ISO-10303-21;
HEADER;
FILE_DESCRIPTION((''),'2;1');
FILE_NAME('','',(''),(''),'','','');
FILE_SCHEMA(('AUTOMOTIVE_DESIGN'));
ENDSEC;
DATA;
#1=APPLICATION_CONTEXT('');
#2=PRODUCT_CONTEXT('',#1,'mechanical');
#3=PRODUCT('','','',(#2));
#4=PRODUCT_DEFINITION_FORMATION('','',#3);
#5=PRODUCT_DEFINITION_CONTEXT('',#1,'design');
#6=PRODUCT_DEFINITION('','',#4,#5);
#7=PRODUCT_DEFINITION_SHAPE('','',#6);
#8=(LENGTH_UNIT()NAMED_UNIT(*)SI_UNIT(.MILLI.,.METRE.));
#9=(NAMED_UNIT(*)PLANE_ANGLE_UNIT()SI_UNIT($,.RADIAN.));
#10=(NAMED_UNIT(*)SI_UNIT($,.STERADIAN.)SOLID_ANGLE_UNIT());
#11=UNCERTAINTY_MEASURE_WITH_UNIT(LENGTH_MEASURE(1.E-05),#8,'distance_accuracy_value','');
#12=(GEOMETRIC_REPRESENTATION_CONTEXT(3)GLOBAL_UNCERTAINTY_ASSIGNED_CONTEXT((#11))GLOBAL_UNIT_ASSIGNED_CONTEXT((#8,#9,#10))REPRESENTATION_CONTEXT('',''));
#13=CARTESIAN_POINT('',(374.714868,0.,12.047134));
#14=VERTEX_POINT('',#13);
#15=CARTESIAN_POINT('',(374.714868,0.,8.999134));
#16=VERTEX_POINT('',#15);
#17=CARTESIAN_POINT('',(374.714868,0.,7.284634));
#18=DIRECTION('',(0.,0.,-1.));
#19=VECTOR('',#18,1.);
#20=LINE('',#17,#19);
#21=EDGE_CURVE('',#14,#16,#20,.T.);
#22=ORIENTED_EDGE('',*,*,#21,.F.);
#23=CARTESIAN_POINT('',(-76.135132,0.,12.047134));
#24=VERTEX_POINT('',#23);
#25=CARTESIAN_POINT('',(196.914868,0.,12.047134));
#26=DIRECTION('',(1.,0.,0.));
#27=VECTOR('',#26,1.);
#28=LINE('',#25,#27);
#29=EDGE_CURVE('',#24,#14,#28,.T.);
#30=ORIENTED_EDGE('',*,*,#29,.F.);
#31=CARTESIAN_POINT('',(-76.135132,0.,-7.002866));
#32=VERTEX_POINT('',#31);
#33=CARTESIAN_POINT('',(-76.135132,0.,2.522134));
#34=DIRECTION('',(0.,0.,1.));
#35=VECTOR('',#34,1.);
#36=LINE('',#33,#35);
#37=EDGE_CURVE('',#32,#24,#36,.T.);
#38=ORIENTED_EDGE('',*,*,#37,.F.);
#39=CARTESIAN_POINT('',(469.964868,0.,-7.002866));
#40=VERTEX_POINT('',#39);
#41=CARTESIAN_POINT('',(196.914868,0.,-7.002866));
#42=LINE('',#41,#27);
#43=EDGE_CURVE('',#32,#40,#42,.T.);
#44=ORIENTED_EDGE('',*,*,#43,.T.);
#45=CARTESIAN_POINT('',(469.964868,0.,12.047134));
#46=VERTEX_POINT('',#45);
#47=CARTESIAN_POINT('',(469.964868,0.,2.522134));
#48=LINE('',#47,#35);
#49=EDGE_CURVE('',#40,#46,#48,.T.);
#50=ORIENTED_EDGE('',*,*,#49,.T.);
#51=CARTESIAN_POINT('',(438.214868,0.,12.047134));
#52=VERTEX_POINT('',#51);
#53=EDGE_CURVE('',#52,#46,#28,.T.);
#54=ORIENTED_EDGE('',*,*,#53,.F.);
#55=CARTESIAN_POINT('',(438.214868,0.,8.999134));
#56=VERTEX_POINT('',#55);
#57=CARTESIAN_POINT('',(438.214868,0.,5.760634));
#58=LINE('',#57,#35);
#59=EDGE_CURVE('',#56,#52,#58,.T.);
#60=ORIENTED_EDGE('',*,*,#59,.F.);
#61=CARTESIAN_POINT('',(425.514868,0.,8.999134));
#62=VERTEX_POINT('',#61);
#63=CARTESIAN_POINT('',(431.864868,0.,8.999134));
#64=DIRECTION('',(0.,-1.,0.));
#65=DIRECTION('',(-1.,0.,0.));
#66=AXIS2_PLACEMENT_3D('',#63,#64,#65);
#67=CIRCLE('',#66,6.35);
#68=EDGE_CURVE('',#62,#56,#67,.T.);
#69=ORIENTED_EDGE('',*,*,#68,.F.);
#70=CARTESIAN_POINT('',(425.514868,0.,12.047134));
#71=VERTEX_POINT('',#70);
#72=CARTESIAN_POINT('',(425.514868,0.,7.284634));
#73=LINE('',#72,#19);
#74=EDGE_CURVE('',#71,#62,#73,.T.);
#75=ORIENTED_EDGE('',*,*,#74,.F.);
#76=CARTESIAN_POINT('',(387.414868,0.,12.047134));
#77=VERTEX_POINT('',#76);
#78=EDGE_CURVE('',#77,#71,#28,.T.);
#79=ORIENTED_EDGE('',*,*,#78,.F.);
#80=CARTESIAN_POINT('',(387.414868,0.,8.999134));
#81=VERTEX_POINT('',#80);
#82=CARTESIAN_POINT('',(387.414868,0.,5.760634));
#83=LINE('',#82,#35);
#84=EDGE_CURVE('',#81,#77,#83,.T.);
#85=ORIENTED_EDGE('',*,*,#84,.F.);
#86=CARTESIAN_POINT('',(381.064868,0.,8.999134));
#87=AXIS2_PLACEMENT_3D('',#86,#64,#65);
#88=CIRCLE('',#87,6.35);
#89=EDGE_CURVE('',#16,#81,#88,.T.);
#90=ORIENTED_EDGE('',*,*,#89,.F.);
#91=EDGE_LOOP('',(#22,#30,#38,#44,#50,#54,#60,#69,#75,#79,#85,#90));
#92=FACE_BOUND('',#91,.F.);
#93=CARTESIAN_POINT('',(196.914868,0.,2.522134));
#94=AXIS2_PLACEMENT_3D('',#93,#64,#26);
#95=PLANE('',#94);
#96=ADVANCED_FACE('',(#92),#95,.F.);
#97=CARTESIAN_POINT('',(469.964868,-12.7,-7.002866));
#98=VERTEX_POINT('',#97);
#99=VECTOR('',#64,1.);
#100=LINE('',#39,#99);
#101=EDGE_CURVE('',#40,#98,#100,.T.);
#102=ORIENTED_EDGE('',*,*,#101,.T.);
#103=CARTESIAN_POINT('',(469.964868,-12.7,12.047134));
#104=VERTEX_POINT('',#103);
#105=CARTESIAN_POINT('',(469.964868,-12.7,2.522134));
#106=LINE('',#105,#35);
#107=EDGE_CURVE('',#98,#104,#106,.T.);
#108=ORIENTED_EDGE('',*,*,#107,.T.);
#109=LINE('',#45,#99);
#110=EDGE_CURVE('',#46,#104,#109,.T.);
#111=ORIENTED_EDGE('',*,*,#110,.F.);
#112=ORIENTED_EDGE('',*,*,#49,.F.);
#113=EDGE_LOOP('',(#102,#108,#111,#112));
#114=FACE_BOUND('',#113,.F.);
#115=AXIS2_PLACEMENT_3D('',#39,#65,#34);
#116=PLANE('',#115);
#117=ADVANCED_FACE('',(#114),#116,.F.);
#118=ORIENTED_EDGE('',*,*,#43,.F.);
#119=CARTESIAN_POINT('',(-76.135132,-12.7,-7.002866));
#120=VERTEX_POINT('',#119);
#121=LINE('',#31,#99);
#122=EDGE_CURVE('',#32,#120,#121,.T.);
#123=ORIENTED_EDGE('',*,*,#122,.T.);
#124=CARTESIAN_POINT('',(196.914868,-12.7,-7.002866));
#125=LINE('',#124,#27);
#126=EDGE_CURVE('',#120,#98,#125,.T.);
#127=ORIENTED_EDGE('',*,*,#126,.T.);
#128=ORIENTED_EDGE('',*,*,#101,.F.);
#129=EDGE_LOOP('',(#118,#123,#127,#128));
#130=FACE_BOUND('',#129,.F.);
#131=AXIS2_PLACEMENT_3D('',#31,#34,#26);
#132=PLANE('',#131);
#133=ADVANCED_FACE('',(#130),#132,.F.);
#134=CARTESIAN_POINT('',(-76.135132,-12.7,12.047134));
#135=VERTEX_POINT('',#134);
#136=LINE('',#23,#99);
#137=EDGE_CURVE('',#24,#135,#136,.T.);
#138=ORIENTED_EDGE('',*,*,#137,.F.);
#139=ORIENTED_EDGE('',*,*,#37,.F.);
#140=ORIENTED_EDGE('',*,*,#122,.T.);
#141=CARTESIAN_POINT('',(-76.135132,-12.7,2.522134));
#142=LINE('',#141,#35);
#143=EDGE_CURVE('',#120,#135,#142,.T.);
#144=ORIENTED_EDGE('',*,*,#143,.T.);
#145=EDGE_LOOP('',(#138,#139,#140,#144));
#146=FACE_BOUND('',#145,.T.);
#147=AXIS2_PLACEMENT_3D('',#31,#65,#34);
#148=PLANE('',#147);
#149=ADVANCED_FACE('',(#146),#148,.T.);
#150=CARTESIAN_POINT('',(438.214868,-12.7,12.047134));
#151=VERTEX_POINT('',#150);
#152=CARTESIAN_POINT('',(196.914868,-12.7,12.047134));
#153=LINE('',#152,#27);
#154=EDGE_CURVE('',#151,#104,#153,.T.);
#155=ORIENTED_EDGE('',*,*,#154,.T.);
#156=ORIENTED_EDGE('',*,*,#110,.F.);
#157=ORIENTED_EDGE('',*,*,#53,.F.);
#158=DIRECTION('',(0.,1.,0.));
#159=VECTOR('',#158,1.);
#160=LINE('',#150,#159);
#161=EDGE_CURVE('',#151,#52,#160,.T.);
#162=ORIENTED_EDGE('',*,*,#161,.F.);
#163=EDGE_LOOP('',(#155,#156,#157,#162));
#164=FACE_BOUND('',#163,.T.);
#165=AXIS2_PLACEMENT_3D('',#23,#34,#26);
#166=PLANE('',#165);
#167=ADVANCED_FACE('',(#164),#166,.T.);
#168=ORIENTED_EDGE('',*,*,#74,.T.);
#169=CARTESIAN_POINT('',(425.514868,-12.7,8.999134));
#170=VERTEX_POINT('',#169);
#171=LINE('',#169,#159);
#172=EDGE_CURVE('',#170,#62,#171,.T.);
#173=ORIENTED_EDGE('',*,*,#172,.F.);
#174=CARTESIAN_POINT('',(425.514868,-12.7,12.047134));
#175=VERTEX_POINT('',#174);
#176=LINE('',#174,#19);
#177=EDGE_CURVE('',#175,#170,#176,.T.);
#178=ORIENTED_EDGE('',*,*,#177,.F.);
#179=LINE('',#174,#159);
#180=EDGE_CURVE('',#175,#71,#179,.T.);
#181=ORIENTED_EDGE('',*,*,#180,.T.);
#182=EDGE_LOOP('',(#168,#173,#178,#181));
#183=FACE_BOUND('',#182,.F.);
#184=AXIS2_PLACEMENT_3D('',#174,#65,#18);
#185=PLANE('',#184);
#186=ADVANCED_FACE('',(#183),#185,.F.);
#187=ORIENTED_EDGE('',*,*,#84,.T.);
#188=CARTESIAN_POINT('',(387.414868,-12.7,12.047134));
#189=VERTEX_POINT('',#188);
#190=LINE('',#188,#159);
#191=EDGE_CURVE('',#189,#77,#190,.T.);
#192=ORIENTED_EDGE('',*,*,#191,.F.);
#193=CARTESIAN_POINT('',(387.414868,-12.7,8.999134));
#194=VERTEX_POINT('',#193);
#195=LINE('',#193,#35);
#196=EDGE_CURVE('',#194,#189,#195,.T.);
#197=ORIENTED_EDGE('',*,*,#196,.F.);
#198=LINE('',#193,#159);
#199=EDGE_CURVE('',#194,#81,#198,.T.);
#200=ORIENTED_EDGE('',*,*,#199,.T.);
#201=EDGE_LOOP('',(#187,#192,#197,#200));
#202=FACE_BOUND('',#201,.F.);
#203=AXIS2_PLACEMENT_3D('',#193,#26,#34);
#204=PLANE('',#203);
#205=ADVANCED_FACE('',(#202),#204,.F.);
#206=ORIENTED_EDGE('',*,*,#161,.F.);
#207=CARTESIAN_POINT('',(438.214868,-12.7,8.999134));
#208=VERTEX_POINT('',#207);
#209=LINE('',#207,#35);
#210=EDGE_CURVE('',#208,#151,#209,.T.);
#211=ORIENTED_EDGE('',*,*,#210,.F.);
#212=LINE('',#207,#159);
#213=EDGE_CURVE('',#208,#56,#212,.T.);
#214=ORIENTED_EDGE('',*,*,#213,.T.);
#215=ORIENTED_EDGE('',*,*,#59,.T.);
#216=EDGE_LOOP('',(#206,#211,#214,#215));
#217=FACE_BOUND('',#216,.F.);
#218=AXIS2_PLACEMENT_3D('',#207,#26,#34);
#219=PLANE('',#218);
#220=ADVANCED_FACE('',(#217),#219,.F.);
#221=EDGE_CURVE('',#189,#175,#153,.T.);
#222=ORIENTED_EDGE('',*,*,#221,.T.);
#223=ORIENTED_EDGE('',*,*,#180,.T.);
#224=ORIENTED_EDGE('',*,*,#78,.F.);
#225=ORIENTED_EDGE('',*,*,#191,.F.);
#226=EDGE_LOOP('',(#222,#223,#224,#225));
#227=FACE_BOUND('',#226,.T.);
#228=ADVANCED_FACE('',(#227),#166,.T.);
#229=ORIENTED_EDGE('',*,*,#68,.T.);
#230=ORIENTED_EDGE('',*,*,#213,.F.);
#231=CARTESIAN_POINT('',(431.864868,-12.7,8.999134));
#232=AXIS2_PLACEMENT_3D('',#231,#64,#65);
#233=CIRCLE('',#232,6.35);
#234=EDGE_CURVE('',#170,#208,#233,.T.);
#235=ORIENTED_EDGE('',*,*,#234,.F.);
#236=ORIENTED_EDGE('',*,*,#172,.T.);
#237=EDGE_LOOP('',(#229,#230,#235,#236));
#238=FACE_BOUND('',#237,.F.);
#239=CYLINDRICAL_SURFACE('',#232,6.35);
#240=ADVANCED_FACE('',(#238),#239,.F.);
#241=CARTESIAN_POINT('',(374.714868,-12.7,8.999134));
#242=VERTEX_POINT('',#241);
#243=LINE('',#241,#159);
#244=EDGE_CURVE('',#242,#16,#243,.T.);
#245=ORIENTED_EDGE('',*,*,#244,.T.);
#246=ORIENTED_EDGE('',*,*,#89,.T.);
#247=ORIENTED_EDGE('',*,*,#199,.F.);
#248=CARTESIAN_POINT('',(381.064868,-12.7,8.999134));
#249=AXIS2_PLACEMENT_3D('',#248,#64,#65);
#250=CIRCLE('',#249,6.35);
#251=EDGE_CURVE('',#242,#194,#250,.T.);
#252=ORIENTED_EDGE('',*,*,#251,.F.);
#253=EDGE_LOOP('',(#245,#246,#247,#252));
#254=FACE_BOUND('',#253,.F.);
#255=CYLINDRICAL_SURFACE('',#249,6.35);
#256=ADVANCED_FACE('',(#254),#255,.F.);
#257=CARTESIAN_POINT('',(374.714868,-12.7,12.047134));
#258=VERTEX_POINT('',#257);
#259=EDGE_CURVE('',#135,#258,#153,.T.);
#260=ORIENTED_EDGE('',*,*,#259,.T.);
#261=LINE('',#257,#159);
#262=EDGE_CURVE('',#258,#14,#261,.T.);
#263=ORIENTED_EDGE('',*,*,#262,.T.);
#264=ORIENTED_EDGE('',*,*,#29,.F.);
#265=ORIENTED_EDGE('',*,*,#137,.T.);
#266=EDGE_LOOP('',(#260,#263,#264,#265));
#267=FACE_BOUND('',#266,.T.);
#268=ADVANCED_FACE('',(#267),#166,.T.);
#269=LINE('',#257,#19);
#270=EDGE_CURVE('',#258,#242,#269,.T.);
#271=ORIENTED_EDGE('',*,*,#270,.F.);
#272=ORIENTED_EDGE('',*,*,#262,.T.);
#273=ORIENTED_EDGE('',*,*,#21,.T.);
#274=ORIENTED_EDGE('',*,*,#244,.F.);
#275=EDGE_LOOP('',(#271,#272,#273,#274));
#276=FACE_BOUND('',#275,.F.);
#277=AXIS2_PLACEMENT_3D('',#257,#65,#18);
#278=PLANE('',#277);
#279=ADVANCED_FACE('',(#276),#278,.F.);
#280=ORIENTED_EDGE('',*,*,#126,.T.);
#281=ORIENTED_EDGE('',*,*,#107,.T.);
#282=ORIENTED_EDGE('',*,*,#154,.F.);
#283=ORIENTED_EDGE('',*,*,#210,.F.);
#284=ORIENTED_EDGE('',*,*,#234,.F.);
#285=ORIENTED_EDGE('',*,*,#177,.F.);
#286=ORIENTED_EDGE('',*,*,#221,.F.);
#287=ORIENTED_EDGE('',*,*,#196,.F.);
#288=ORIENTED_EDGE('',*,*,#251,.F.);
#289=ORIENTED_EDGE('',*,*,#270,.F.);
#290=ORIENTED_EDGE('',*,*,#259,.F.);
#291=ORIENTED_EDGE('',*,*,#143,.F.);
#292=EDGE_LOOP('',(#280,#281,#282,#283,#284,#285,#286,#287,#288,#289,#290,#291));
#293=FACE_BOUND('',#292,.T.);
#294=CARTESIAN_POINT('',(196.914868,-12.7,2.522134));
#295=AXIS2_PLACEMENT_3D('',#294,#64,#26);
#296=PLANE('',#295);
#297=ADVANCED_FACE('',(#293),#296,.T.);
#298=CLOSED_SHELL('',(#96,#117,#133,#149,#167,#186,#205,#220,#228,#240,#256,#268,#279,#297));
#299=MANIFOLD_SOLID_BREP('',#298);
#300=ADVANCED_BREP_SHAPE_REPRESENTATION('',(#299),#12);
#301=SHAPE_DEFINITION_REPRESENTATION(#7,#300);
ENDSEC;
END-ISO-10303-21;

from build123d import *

# Parameters (mm, degrees)
F0_W     = 546.1
F0_H     = 19.05
F1_DEPTH = 12.7
F3_DEPTH = 25.4


with BuildPart() as f1:
    # F0 (on Front) → F1 (new body)
    with BuildSketch(Plane.XZ):
        with Locations((196.914868, 2.522134)):
            Rectangle(F0_W, F0_H)
    extrude(amount=F1_DEPTH)

    # F2 (on face) → F3 (cut)
    with BuildSketch(Plane.XZ.offset(12.7)):
        with BuildLine():
            Line((374.714868, 12.047134), (374.714868, 8.999134))
            ThreePointArc((374.714868, 8.999134), (374.912788, 10.572163), (375.494213, 12.047134))
            Line((375.494213, 12.047134), (374.714868, 12.047134))
        make_face()
        with BuildLine():
            ThreePointArc((375.494213, 12.047134), (374.912788, 10.572163), (374.714868, 8.999134))
            ThreePointArc((374.714868, 8.999134), (381.064868, 2.649134), (387.414868, 8.999134))
            ThreePointArc((387.414868, 8.999134), (387.216947, 10.572163), (386.635522, 12.047134))
            Line((386.635522, 12.047134), (375.494213, 12.047134))
        make_face()
        with BuildLine():
            Line((426.294213, 12.047134), (425.514868, 12.047134))
            Line((425.514868, 12.047134), (425.514868, 8.999134))
            ThreePointArc((425.514868, 8.999134), (425.712788, 10.572163), (426.294213, 12.047134))
        make_face()
        with BuildLine():
            ThreePointArc((426.294213, 12.047134), (425.712788, 10.572163), (425.514868, 8.999134))
            ThreePointArc((425.514868, 8.999134), (431.864868, 2.649134), (438.214868, 8.999134))
            ThreePointArc((438.214868, 8.999134), (438.016947, 10.572163), (437.435522, 12.047134))
            Line((437.435522, 12.047134), (426.294213, 12.047134))
        make_face()
        with BuildLine():
            ThreePointArc((437.435522, 12.047134), (438.016947, 10.572163), (438.214868, 8.999134))
            Line((438.214868, 8.999134), (438.214868, 12.047134))
            Line((438.214868, 12.047134), (437.435522, 12.047134))
        make_face()
        with BuildLine():
            ThreePointArc((386.635522, 12.047134), (387.216947, 10.572163), (387.414868, 8.999134))
            Line((387.414868, 8.999134), (387.414868, 12.047134))
            Line((387.414868, 12.047134), (386.635522, 12.047134))
        make_face()
    extrude(amount=-F3_DEPTH, mode=Mode.SUBTRACT)


solid = f1.part
